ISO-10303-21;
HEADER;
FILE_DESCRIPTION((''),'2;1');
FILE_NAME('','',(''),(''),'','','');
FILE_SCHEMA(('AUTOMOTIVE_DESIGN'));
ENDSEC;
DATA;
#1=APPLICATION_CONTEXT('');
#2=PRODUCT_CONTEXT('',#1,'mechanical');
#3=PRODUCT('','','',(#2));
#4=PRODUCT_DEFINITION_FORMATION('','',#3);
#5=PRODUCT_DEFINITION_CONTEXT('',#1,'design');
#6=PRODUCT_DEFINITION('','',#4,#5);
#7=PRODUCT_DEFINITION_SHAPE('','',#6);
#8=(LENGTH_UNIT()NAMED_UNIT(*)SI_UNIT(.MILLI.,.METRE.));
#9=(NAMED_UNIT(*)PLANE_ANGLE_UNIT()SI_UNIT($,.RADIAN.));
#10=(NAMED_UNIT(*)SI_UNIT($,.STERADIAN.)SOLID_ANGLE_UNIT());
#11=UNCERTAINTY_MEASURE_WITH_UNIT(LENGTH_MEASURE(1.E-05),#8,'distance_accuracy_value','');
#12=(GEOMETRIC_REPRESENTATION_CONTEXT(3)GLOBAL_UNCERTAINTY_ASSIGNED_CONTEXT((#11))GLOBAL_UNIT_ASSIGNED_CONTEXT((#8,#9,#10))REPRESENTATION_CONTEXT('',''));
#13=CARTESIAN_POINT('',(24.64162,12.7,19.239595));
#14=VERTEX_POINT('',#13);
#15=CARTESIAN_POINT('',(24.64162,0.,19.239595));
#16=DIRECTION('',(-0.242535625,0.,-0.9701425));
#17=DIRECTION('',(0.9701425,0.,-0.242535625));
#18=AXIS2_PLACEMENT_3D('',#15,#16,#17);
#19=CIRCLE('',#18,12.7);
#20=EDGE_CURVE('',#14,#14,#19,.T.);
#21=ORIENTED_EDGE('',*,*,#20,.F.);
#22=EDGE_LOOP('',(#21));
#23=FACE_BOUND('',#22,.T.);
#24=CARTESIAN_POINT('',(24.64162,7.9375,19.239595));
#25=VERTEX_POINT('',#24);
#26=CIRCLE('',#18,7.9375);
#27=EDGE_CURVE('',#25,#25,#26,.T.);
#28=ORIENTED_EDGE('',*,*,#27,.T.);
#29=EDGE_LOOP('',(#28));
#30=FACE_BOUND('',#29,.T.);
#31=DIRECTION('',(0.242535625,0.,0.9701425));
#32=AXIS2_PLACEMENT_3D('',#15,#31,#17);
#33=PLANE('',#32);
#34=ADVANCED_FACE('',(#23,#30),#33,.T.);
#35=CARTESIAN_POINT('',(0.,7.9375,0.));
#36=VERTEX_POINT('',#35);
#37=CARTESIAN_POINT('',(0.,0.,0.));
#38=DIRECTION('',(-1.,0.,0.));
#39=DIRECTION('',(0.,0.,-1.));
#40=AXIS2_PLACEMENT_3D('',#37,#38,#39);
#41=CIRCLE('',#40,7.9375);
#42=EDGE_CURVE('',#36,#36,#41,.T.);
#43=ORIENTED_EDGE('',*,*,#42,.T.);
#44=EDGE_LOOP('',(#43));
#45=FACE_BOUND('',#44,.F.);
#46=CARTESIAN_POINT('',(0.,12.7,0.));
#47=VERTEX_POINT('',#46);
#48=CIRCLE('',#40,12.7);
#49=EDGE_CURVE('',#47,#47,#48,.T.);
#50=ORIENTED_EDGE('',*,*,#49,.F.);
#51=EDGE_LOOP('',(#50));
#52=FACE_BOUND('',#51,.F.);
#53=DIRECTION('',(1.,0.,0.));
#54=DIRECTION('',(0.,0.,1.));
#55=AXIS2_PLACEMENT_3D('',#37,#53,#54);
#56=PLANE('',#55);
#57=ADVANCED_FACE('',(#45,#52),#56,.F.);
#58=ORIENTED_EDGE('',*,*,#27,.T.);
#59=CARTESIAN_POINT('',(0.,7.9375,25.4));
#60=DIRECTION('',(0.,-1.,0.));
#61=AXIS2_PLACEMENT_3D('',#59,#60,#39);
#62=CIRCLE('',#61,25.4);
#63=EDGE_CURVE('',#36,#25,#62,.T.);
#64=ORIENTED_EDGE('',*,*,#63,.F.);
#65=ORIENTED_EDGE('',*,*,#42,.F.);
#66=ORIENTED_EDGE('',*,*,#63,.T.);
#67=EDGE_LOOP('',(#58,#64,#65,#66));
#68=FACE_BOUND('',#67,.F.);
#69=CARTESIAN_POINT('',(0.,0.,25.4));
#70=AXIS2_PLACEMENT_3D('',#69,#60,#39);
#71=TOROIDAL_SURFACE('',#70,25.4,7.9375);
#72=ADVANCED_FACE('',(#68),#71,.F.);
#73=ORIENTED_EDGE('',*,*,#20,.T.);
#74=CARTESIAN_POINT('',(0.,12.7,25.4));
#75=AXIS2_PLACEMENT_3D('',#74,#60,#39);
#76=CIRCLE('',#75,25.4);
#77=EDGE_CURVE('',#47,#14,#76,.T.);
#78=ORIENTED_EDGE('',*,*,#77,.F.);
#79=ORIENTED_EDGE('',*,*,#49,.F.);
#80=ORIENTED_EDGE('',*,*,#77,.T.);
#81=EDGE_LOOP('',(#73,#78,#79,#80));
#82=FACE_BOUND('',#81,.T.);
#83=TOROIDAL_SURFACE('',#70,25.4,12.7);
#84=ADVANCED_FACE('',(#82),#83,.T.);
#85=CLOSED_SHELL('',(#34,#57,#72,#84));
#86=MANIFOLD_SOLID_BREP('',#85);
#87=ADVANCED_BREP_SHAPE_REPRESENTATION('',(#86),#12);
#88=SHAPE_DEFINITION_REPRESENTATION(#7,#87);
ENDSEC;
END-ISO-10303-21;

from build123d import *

# Parameters (mm, degrees)
F1_R   = 12.7
F1_R_2 = 7.9375


with BuildPart() as f2:
    # F2: sweep along a path in F0
    with BuildLine(Plane.XZ) as f2_path:
        ThreePointArc((0, 0), (15.6314701188, 5.3795818744), (24.6416195037, 19.2395951241))
    # F1 (on Right) → F2 (sweep)
    with BuildSketch(Plane.YZ):
        Circle(F1_R)
        Circle(F1_R_2, mode=Mode.SUBTRACT)
    sweep(path=f2_path.line)


solid = f2.part
